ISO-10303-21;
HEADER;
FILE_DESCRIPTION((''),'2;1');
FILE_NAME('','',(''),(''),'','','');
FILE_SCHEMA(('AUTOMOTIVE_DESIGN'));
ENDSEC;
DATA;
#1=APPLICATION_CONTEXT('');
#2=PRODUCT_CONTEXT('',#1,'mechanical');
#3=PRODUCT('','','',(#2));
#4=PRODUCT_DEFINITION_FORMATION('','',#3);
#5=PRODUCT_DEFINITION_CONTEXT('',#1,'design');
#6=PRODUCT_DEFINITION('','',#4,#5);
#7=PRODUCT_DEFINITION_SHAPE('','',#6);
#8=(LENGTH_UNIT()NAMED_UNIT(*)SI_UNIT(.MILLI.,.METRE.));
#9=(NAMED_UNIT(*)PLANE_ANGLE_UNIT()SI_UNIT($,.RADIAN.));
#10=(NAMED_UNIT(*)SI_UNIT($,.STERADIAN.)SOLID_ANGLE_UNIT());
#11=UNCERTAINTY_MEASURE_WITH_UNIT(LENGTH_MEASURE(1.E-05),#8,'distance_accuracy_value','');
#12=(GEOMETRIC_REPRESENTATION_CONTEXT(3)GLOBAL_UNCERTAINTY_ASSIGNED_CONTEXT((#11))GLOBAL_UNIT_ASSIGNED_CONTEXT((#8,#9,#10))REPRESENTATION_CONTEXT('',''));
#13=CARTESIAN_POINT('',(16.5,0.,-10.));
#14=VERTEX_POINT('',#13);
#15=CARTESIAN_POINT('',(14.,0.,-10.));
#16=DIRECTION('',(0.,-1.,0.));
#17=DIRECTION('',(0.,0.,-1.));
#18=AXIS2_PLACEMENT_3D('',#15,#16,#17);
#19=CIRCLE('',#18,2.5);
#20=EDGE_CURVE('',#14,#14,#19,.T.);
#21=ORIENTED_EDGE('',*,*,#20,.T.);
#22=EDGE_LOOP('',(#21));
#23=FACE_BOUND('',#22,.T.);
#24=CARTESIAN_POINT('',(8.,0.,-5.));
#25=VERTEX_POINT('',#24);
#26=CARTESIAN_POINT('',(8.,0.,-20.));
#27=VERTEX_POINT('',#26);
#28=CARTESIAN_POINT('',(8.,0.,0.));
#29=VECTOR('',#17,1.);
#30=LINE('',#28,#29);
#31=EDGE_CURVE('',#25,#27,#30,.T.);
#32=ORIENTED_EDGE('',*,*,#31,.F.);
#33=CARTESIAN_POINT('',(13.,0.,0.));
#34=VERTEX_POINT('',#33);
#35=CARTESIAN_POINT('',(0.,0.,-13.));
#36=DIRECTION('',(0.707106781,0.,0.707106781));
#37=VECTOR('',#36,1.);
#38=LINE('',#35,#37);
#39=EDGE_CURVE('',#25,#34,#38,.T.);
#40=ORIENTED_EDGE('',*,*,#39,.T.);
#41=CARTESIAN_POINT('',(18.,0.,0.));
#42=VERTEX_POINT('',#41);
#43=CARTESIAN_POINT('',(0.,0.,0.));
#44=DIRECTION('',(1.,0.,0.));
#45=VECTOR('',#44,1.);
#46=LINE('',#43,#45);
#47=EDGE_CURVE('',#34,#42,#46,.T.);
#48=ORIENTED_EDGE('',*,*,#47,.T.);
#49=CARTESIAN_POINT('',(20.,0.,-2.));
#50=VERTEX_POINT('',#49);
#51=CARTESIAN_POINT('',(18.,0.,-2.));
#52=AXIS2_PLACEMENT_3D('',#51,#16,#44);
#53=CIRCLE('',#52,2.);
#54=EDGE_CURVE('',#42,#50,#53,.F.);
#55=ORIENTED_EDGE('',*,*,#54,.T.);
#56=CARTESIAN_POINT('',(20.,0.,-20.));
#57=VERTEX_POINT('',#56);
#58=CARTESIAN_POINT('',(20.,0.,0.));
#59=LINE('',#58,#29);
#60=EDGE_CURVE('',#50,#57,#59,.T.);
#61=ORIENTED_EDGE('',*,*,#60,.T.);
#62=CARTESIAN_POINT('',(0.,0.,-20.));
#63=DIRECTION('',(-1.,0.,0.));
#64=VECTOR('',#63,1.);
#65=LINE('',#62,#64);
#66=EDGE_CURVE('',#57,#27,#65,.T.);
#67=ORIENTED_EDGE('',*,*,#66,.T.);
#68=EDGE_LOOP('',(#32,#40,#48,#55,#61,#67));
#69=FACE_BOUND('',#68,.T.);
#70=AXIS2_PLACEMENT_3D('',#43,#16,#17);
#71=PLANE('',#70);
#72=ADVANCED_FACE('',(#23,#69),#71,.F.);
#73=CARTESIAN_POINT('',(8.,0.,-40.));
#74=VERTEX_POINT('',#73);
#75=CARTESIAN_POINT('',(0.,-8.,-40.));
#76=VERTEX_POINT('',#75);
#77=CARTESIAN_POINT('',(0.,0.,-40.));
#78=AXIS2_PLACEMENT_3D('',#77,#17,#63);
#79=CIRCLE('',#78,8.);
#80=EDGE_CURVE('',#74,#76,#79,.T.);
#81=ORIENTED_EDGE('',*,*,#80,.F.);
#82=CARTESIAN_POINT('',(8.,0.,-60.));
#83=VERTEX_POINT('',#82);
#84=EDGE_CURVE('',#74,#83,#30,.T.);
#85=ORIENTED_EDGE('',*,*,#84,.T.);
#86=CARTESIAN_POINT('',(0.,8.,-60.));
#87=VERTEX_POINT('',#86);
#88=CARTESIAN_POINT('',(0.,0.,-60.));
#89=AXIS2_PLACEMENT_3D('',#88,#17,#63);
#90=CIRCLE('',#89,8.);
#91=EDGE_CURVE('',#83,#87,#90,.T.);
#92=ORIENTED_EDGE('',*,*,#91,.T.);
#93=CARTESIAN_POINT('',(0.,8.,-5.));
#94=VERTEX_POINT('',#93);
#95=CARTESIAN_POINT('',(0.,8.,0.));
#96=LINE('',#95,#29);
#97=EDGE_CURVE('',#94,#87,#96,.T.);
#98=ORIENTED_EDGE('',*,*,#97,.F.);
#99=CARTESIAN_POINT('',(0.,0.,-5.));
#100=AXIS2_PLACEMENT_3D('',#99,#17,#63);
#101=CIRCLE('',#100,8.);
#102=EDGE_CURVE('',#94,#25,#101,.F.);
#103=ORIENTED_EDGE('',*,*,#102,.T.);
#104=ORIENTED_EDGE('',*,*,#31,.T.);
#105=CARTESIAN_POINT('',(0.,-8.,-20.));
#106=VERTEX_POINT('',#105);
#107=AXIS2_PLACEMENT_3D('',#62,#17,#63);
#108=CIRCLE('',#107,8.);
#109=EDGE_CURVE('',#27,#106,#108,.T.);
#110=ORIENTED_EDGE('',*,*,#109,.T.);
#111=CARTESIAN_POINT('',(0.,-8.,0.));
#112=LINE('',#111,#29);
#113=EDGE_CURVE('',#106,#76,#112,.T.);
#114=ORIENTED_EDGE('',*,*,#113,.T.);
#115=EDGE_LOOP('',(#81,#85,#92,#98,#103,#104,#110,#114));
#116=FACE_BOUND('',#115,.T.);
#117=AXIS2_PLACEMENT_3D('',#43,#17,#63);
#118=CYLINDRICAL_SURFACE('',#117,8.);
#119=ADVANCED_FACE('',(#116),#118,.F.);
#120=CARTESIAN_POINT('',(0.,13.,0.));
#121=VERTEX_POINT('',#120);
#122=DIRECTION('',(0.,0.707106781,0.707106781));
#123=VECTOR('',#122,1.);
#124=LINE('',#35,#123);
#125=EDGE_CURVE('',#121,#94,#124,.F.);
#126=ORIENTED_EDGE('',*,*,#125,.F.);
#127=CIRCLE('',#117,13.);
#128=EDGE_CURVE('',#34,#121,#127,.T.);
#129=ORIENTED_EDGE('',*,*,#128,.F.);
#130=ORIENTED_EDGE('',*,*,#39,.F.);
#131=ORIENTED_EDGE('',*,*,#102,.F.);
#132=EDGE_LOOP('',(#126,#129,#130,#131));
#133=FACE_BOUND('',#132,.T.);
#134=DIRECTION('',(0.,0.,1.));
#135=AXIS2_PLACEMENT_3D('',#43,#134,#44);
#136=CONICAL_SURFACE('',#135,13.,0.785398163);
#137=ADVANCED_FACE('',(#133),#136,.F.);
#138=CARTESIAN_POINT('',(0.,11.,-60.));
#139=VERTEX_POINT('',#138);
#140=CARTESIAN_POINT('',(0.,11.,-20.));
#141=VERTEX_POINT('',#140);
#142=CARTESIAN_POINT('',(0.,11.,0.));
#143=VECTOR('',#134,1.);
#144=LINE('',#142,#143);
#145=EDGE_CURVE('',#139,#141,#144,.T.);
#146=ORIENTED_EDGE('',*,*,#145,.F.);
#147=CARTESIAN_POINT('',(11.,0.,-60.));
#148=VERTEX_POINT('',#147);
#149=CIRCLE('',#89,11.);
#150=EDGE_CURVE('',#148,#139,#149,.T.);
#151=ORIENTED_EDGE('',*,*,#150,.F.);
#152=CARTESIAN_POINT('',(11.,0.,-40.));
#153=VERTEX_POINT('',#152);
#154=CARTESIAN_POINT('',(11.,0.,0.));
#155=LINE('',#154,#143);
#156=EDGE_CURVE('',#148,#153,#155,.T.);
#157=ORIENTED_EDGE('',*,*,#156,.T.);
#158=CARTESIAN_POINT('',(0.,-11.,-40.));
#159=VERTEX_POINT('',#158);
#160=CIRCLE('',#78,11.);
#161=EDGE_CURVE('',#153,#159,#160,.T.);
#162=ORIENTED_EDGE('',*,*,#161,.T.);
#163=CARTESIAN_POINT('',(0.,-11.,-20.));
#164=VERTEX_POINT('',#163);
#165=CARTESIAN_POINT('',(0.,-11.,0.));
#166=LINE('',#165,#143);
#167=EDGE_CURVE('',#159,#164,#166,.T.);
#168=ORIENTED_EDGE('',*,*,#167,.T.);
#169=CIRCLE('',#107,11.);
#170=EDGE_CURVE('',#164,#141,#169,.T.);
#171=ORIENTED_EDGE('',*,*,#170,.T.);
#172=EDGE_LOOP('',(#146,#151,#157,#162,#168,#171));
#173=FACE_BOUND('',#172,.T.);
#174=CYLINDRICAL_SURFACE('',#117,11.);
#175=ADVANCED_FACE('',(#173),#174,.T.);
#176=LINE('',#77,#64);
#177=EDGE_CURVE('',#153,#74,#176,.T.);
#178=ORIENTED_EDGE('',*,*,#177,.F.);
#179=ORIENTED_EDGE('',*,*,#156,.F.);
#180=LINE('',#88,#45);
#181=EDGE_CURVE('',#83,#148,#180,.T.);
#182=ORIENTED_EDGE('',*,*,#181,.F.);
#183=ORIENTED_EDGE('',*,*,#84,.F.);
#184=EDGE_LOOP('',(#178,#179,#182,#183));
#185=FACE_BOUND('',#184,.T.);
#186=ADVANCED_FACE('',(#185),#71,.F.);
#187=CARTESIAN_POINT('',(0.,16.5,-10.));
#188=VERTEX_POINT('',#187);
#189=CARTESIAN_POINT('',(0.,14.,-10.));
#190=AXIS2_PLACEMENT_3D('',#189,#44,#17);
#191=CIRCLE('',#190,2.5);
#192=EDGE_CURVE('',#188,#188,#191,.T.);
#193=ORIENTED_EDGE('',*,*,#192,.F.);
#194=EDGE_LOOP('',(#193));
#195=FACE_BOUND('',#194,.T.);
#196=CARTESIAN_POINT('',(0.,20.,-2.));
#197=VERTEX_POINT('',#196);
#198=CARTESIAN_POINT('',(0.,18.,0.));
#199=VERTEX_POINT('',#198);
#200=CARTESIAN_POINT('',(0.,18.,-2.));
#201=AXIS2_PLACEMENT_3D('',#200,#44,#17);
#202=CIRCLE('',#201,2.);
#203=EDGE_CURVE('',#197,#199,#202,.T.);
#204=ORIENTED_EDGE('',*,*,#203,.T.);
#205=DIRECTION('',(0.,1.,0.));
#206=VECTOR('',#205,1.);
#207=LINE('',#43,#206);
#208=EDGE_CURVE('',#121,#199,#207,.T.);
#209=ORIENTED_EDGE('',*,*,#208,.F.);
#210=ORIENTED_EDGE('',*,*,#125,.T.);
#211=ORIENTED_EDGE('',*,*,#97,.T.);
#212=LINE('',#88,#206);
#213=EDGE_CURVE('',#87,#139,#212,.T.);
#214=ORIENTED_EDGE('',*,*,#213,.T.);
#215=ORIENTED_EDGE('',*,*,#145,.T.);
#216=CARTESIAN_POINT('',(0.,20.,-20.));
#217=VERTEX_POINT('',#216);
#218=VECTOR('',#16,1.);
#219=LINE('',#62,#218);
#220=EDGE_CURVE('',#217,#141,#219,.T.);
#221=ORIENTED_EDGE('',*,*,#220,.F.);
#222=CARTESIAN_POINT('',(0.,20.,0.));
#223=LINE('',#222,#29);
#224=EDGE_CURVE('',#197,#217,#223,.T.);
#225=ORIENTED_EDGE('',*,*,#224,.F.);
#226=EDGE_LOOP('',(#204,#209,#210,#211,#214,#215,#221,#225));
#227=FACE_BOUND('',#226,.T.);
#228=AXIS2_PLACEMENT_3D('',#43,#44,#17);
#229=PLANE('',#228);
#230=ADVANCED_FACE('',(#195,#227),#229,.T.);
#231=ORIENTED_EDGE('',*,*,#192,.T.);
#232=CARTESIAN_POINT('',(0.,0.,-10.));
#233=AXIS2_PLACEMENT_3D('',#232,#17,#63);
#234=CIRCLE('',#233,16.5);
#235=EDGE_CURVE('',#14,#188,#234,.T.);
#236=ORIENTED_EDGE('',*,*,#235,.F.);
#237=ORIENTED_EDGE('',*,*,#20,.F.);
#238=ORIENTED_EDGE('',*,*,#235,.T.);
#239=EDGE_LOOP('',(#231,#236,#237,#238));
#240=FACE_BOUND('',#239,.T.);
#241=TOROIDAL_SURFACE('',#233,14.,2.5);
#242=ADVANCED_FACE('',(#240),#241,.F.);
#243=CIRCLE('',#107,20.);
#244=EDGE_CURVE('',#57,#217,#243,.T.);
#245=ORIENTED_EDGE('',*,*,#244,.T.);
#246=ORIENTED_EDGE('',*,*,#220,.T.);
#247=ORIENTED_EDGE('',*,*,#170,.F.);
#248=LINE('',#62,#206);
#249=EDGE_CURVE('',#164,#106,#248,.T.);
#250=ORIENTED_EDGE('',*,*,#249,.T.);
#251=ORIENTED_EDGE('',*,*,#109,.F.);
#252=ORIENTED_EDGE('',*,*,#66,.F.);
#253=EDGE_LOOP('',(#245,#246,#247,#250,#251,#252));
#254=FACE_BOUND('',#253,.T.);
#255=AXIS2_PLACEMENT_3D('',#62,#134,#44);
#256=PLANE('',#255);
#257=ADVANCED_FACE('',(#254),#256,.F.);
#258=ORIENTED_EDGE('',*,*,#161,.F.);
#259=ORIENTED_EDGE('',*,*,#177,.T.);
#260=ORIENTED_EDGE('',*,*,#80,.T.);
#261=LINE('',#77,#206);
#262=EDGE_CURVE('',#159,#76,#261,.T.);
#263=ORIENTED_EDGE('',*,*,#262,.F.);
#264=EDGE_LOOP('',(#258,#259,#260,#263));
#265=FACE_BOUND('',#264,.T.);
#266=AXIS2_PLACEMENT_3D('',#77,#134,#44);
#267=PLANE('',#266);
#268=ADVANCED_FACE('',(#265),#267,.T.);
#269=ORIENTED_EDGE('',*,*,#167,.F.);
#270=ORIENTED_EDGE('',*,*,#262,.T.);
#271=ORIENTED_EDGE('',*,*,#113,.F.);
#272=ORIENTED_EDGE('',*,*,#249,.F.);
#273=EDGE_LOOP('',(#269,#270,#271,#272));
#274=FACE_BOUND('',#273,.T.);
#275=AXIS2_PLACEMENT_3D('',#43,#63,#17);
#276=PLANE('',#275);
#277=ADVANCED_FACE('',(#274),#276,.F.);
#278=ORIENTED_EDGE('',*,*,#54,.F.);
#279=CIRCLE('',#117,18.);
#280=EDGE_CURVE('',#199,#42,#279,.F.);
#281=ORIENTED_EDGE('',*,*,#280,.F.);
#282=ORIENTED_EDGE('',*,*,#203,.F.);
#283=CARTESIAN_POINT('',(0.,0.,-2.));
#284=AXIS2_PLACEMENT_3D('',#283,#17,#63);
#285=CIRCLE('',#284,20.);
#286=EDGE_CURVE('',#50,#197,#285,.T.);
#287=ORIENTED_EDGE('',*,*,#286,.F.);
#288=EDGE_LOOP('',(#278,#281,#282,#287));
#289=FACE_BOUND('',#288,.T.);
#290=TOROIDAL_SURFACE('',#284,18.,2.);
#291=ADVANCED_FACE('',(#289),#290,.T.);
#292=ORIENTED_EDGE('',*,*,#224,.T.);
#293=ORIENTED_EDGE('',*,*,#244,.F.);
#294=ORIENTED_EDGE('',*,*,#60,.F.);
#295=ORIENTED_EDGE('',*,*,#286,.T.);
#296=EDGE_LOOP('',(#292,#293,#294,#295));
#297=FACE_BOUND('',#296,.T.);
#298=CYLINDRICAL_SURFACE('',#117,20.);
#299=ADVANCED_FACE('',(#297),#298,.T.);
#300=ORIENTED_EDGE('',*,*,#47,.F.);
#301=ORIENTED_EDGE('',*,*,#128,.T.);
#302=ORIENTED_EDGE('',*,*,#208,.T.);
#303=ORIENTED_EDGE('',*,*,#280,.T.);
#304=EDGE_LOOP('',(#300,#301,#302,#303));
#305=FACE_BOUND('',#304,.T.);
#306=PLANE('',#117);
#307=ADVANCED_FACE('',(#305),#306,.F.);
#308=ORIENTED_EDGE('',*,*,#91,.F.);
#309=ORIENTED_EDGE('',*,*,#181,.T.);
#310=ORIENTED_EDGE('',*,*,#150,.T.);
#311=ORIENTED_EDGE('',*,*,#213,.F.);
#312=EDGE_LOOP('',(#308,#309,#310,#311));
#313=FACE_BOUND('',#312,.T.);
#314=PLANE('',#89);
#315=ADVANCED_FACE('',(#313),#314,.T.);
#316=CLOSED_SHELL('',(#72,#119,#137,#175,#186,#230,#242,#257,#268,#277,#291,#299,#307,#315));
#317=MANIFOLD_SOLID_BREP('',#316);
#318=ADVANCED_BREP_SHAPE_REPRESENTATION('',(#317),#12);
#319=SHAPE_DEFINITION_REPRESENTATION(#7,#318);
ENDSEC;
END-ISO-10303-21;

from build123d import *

# Parameters (mm, degrees)
SKETCH6_W      = 20
SKETCH6_H      = 12
SKETCH6_R      = 2.5
SKETCH6_H_2    = 3
REVOLVE3_ANGLE = 270
SKETCH6_3_W    = 40
SKETCH6_3_H    = 3
REVOLVE4_ANGLE = 180
CHAMFER1_SIZE  = 5
FILLET1_R      = 2


with BuildPart() as part:
    # Sketch6 → Revolve3 (revolve)
    # profile 1 of 2: a face of its own
    with BuildSketch(Plane(origin=(0, 0, 0), x_dir=(0, 0, -1), z_dir=(1, 0, 0))):
        with Locations((10, 14)):
            Rectangle(SKETCH6_W, SKETCH6_H)
        with Locations((10, 14)):
            Circle(SKETCH6_R, mode=Mode.SUBTRACT)
    # profile 2 of 2: a face of its own
    with BuildSketch(Plane(origin=(0, 0, 0), x_dir=(0, 0, -1), z_dir=(1, 0, 0))):
        with Locations((50, 9.5)):
            Rectangle(SKETCH6_W, SKETCH6_H_2)
    revolve(axis=Axis((0, 0, 0), (0, 0, 1)), revolution_arc=REVOLVE3_ANGLE)

    # Sketch6<3> → Revolve4 (revolve)
    with BuildSketch(Plane(origin=(0, 0, 0), x_dir=(0, 0, -1), z_dir=(1, 0, 0))):
        with Locations((40, 9.5)):
            Rectangle(SKETCH6_3_W, SKETCH6_3_H)
    revolve(axis=Axis((0, 0, 0), (0, 0, 1)), revolution_arc=REVOLVE4_ANGLE)

    # Chamfer1
    chamfer1_edges = [part.edges().sort_by_distance(p)[0] for p in [
        (-5.656854249, -5.656854249, 0),
    ]]
    chamfer(chamfer1_edges, length=CHAMFER1_SIZE)

    # Fillet1
    fillet1_edges = [part.edges().sort_by_distance(p)[0] for p in [
        (-14.142135624, -14.142135624, 0),
    ]]
    fillet(fillet1_edges, radius=FILLET1_R)


solid = part.part
